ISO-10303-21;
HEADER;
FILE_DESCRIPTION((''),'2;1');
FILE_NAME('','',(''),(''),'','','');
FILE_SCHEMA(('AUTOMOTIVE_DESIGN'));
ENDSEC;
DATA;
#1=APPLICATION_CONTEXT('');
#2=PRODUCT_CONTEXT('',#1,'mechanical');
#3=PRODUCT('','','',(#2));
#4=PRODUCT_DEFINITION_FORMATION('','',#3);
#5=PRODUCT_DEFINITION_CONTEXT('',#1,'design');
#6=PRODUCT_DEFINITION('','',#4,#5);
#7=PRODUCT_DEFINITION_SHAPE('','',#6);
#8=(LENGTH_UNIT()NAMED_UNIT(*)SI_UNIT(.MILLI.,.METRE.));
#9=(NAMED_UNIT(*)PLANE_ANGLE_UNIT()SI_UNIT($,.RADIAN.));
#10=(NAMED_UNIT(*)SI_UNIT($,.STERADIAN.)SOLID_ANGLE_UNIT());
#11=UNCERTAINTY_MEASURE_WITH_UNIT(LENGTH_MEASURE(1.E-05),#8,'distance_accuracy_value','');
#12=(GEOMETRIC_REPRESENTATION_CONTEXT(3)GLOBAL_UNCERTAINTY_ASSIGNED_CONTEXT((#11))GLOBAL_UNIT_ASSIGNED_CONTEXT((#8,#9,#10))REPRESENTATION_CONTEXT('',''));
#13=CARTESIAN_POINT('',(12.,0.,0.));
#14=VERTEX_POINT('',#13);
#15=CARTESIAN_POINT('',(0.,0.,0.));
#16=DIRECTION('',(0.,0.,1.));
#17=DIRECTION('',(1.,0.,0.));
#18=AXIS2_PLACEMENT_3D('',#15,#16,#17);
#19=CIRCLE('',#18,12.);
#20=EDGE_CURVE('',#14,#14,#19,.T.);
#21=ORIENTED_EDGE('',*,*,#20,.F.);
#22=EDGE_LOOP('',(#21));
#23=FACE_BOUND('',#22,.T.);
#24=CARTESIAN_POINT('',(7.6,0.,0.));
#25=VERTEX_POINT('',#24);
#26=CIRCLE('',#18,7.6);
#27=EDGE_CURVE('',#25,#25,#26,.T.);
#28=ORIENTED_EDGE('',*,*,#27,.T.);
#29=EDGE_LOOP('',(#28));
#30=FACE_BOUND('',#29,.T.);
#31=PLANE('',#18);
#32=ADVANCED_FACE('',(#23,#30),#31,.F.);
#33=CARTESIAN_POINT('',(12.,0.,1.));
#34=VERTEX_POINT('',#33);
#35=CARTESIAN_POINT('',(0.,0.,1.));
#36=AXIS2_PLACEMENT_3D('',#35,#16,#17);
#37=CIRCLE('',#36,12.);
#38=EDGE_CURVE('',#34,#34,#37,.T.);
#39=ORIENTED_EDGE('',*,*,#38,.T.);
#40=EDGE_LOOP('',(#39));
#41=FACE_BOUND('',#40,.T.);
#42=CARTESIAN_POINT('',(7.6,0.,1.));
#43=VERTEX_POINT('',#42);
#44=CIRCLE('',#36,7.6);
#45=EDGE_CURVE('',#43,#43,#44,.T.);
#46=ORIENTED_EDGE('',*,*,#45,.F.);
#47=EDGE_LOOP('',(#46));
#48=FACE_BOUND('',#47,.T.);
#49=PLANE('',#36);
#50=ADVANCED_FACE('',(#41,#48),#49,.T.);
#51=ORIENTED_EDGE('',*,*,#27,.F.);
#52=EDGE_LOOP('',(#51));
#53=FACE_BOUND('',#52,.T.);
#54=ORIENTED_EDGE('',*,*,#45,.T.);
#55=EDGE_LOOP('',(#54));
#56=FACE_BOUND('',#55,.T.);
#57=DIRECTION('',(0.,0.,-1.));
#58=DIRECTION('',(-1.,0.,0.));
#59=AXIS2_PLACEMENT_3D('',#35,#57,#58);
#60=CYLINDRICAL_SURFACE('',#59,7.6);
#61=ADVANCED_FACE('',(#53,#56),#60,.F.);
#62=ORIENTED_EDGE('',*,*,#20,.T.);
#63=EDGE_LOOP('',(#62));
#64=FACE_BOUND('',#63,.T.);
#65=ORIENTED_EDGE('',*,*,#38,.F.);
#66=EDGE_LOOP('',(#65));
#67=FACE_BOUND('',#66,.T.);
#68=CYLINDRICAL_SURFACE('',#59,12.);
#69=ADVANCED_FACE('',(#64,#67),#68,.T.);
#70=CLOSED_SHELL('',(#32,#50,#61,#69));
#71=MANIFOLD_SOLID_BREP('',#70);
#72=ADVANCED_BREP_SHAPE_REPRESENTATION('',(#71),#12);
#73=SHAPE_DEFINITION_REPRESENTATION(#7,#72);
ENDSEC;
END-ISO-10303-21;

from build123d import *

# Parameters (mm, degrees)
SZKIC1_R                    = 12
SZKIC1_R_2                  = 7.6
DODANIE_WYCI_GNI_CIE1_DEPTH = 1


with BuildPart() as part:
    # Szkic1 → Dodanie-wyciągnięcie1 (new body)
    with BuildSketch(Plane.XY):
        Circle(SZKIC1_R)
        Circle(SZKIC1_R_2, mode=Mode.SUBTRACT)
    extrude(amount=DODANIE_WYCI_GNI_CIE1_DEPTH)


solid = part.part
